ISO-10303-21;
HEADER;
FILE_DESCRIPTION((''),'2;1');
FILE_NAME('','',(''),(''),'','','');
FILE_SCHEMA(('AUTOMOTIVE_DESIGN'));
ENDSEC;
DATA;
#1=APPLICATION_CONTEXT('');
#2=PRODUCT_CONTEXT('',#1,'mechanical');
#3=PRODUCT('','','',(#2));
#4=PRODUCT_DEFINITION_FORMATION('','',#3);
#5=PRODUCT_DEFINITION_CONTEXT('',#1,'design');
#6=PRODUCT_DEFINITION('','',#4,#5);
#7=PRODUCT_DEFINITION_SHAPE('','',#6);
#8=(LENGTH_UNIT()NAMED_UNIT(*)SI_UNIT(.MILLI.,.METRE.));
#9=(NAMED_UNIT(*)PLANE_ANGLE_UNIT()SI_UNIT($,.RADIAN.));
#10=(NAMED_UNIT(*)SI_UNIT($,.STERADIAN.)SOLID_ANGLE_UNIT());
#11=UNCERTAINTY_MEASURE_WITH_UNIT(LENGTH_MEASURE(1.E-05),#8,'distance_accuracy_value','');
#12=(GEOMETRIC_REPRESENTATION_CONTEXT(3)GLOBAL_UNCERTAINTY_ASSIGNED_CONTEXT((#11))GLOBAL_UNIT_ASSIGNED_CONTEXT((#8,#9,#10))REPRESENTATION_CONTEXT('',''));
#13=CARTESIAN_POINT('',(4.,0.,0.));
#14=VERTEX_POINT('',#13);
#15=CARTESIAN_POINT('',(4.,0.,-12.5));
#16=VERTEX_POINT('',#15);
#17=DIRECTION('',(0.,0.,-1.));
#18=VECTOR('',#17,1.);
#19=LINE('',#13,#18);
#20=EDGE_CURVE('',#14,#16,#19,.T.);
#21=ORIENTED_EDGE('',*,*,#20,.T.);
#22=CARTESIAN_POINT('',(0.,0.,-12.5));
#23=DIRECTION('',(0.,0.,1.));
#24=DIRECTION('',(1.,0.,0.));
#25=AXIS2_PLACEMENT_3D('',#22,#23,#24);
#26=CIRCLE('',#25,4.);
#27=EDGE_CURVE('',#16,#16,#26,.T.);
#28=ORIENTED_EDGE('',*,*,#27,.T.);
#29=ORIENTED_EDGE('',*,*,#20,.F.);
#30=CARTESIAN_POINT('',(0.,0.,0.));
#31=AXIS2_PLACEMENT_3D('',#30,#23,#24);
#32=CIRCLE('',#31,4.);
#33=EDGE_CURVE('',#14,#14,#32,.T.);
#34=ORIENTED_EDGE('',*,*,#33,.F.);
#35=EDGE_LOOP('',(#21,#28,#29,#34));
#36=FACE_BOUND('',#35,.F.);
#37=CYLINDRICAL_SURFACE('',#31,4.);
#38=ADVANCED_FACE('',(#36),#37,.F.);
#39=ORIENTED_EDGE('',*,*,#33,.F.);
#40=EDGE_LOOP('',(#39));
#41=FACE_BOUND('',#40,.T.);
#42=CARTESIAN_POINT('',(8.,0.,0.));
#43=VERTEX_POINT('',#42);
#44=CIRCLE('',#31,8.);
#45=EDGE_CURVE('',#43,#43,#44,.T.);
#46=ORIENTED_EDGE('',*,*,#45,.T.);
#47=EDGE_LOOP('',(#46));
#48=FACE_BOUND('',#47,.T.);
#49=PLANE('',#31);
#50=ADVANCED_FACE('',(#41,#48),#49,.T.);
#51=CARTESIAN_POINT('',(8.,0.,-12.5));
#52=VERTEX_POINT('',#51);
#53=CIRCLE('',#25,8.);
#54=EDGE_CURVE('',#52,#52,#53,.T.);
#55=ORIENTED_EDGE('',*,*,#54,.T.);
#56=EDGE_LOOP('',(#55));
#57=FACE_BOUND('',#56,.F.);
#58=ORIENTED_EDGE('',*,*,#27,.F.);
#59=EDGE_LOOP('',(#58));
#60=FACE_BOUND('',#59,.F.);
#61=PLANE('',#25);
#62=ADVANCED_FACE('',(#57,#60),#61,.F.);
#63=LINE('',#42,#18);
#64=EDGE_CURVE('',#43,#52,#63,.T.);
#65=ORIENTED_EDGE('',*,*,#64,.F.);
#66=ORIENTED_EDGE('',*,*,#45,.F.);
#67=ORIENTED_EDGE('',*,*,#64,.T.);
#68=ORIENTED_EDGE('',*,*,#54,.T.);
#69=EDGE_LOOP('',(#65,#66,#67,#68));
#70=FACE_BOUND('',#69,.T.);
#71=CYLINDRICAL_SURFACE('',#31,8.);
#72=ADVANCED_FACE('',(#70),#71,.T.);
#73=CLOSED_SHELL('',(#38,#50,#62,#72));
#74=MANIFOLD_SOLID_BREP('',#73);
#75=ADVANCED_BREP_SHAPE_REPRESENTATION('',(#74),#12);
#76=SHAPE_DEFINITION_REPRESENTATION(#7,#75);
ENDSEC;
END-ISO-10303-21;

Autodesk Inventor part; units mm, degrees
ref_plane "YZ Plane" through (0, 0, 0) normal (1, 0, 0) x (0, 1, 0)
ref_plane "XZ Plane" through (0, 0, 0) normal (0, 1, 0) x (-1, 0, 0)
ref_plane "XY Plane" through (0, 0, 0) normal (0, 0, 1) x (1, 0, 0)
sketch "Sketch1" plane through (0, 0, 0) normal (0, 0, 1) x (1, 0, 0)
  circle A0 centre (0, 0) radius 8
  circle A1 centre (0, 0) radius 4
  dimension "d0" = 16
  dimension "d1" = 8
extrude "Extrusion1" add sketch "Sketch1" against normal blind 12.5
properties part number "203 part 3"
